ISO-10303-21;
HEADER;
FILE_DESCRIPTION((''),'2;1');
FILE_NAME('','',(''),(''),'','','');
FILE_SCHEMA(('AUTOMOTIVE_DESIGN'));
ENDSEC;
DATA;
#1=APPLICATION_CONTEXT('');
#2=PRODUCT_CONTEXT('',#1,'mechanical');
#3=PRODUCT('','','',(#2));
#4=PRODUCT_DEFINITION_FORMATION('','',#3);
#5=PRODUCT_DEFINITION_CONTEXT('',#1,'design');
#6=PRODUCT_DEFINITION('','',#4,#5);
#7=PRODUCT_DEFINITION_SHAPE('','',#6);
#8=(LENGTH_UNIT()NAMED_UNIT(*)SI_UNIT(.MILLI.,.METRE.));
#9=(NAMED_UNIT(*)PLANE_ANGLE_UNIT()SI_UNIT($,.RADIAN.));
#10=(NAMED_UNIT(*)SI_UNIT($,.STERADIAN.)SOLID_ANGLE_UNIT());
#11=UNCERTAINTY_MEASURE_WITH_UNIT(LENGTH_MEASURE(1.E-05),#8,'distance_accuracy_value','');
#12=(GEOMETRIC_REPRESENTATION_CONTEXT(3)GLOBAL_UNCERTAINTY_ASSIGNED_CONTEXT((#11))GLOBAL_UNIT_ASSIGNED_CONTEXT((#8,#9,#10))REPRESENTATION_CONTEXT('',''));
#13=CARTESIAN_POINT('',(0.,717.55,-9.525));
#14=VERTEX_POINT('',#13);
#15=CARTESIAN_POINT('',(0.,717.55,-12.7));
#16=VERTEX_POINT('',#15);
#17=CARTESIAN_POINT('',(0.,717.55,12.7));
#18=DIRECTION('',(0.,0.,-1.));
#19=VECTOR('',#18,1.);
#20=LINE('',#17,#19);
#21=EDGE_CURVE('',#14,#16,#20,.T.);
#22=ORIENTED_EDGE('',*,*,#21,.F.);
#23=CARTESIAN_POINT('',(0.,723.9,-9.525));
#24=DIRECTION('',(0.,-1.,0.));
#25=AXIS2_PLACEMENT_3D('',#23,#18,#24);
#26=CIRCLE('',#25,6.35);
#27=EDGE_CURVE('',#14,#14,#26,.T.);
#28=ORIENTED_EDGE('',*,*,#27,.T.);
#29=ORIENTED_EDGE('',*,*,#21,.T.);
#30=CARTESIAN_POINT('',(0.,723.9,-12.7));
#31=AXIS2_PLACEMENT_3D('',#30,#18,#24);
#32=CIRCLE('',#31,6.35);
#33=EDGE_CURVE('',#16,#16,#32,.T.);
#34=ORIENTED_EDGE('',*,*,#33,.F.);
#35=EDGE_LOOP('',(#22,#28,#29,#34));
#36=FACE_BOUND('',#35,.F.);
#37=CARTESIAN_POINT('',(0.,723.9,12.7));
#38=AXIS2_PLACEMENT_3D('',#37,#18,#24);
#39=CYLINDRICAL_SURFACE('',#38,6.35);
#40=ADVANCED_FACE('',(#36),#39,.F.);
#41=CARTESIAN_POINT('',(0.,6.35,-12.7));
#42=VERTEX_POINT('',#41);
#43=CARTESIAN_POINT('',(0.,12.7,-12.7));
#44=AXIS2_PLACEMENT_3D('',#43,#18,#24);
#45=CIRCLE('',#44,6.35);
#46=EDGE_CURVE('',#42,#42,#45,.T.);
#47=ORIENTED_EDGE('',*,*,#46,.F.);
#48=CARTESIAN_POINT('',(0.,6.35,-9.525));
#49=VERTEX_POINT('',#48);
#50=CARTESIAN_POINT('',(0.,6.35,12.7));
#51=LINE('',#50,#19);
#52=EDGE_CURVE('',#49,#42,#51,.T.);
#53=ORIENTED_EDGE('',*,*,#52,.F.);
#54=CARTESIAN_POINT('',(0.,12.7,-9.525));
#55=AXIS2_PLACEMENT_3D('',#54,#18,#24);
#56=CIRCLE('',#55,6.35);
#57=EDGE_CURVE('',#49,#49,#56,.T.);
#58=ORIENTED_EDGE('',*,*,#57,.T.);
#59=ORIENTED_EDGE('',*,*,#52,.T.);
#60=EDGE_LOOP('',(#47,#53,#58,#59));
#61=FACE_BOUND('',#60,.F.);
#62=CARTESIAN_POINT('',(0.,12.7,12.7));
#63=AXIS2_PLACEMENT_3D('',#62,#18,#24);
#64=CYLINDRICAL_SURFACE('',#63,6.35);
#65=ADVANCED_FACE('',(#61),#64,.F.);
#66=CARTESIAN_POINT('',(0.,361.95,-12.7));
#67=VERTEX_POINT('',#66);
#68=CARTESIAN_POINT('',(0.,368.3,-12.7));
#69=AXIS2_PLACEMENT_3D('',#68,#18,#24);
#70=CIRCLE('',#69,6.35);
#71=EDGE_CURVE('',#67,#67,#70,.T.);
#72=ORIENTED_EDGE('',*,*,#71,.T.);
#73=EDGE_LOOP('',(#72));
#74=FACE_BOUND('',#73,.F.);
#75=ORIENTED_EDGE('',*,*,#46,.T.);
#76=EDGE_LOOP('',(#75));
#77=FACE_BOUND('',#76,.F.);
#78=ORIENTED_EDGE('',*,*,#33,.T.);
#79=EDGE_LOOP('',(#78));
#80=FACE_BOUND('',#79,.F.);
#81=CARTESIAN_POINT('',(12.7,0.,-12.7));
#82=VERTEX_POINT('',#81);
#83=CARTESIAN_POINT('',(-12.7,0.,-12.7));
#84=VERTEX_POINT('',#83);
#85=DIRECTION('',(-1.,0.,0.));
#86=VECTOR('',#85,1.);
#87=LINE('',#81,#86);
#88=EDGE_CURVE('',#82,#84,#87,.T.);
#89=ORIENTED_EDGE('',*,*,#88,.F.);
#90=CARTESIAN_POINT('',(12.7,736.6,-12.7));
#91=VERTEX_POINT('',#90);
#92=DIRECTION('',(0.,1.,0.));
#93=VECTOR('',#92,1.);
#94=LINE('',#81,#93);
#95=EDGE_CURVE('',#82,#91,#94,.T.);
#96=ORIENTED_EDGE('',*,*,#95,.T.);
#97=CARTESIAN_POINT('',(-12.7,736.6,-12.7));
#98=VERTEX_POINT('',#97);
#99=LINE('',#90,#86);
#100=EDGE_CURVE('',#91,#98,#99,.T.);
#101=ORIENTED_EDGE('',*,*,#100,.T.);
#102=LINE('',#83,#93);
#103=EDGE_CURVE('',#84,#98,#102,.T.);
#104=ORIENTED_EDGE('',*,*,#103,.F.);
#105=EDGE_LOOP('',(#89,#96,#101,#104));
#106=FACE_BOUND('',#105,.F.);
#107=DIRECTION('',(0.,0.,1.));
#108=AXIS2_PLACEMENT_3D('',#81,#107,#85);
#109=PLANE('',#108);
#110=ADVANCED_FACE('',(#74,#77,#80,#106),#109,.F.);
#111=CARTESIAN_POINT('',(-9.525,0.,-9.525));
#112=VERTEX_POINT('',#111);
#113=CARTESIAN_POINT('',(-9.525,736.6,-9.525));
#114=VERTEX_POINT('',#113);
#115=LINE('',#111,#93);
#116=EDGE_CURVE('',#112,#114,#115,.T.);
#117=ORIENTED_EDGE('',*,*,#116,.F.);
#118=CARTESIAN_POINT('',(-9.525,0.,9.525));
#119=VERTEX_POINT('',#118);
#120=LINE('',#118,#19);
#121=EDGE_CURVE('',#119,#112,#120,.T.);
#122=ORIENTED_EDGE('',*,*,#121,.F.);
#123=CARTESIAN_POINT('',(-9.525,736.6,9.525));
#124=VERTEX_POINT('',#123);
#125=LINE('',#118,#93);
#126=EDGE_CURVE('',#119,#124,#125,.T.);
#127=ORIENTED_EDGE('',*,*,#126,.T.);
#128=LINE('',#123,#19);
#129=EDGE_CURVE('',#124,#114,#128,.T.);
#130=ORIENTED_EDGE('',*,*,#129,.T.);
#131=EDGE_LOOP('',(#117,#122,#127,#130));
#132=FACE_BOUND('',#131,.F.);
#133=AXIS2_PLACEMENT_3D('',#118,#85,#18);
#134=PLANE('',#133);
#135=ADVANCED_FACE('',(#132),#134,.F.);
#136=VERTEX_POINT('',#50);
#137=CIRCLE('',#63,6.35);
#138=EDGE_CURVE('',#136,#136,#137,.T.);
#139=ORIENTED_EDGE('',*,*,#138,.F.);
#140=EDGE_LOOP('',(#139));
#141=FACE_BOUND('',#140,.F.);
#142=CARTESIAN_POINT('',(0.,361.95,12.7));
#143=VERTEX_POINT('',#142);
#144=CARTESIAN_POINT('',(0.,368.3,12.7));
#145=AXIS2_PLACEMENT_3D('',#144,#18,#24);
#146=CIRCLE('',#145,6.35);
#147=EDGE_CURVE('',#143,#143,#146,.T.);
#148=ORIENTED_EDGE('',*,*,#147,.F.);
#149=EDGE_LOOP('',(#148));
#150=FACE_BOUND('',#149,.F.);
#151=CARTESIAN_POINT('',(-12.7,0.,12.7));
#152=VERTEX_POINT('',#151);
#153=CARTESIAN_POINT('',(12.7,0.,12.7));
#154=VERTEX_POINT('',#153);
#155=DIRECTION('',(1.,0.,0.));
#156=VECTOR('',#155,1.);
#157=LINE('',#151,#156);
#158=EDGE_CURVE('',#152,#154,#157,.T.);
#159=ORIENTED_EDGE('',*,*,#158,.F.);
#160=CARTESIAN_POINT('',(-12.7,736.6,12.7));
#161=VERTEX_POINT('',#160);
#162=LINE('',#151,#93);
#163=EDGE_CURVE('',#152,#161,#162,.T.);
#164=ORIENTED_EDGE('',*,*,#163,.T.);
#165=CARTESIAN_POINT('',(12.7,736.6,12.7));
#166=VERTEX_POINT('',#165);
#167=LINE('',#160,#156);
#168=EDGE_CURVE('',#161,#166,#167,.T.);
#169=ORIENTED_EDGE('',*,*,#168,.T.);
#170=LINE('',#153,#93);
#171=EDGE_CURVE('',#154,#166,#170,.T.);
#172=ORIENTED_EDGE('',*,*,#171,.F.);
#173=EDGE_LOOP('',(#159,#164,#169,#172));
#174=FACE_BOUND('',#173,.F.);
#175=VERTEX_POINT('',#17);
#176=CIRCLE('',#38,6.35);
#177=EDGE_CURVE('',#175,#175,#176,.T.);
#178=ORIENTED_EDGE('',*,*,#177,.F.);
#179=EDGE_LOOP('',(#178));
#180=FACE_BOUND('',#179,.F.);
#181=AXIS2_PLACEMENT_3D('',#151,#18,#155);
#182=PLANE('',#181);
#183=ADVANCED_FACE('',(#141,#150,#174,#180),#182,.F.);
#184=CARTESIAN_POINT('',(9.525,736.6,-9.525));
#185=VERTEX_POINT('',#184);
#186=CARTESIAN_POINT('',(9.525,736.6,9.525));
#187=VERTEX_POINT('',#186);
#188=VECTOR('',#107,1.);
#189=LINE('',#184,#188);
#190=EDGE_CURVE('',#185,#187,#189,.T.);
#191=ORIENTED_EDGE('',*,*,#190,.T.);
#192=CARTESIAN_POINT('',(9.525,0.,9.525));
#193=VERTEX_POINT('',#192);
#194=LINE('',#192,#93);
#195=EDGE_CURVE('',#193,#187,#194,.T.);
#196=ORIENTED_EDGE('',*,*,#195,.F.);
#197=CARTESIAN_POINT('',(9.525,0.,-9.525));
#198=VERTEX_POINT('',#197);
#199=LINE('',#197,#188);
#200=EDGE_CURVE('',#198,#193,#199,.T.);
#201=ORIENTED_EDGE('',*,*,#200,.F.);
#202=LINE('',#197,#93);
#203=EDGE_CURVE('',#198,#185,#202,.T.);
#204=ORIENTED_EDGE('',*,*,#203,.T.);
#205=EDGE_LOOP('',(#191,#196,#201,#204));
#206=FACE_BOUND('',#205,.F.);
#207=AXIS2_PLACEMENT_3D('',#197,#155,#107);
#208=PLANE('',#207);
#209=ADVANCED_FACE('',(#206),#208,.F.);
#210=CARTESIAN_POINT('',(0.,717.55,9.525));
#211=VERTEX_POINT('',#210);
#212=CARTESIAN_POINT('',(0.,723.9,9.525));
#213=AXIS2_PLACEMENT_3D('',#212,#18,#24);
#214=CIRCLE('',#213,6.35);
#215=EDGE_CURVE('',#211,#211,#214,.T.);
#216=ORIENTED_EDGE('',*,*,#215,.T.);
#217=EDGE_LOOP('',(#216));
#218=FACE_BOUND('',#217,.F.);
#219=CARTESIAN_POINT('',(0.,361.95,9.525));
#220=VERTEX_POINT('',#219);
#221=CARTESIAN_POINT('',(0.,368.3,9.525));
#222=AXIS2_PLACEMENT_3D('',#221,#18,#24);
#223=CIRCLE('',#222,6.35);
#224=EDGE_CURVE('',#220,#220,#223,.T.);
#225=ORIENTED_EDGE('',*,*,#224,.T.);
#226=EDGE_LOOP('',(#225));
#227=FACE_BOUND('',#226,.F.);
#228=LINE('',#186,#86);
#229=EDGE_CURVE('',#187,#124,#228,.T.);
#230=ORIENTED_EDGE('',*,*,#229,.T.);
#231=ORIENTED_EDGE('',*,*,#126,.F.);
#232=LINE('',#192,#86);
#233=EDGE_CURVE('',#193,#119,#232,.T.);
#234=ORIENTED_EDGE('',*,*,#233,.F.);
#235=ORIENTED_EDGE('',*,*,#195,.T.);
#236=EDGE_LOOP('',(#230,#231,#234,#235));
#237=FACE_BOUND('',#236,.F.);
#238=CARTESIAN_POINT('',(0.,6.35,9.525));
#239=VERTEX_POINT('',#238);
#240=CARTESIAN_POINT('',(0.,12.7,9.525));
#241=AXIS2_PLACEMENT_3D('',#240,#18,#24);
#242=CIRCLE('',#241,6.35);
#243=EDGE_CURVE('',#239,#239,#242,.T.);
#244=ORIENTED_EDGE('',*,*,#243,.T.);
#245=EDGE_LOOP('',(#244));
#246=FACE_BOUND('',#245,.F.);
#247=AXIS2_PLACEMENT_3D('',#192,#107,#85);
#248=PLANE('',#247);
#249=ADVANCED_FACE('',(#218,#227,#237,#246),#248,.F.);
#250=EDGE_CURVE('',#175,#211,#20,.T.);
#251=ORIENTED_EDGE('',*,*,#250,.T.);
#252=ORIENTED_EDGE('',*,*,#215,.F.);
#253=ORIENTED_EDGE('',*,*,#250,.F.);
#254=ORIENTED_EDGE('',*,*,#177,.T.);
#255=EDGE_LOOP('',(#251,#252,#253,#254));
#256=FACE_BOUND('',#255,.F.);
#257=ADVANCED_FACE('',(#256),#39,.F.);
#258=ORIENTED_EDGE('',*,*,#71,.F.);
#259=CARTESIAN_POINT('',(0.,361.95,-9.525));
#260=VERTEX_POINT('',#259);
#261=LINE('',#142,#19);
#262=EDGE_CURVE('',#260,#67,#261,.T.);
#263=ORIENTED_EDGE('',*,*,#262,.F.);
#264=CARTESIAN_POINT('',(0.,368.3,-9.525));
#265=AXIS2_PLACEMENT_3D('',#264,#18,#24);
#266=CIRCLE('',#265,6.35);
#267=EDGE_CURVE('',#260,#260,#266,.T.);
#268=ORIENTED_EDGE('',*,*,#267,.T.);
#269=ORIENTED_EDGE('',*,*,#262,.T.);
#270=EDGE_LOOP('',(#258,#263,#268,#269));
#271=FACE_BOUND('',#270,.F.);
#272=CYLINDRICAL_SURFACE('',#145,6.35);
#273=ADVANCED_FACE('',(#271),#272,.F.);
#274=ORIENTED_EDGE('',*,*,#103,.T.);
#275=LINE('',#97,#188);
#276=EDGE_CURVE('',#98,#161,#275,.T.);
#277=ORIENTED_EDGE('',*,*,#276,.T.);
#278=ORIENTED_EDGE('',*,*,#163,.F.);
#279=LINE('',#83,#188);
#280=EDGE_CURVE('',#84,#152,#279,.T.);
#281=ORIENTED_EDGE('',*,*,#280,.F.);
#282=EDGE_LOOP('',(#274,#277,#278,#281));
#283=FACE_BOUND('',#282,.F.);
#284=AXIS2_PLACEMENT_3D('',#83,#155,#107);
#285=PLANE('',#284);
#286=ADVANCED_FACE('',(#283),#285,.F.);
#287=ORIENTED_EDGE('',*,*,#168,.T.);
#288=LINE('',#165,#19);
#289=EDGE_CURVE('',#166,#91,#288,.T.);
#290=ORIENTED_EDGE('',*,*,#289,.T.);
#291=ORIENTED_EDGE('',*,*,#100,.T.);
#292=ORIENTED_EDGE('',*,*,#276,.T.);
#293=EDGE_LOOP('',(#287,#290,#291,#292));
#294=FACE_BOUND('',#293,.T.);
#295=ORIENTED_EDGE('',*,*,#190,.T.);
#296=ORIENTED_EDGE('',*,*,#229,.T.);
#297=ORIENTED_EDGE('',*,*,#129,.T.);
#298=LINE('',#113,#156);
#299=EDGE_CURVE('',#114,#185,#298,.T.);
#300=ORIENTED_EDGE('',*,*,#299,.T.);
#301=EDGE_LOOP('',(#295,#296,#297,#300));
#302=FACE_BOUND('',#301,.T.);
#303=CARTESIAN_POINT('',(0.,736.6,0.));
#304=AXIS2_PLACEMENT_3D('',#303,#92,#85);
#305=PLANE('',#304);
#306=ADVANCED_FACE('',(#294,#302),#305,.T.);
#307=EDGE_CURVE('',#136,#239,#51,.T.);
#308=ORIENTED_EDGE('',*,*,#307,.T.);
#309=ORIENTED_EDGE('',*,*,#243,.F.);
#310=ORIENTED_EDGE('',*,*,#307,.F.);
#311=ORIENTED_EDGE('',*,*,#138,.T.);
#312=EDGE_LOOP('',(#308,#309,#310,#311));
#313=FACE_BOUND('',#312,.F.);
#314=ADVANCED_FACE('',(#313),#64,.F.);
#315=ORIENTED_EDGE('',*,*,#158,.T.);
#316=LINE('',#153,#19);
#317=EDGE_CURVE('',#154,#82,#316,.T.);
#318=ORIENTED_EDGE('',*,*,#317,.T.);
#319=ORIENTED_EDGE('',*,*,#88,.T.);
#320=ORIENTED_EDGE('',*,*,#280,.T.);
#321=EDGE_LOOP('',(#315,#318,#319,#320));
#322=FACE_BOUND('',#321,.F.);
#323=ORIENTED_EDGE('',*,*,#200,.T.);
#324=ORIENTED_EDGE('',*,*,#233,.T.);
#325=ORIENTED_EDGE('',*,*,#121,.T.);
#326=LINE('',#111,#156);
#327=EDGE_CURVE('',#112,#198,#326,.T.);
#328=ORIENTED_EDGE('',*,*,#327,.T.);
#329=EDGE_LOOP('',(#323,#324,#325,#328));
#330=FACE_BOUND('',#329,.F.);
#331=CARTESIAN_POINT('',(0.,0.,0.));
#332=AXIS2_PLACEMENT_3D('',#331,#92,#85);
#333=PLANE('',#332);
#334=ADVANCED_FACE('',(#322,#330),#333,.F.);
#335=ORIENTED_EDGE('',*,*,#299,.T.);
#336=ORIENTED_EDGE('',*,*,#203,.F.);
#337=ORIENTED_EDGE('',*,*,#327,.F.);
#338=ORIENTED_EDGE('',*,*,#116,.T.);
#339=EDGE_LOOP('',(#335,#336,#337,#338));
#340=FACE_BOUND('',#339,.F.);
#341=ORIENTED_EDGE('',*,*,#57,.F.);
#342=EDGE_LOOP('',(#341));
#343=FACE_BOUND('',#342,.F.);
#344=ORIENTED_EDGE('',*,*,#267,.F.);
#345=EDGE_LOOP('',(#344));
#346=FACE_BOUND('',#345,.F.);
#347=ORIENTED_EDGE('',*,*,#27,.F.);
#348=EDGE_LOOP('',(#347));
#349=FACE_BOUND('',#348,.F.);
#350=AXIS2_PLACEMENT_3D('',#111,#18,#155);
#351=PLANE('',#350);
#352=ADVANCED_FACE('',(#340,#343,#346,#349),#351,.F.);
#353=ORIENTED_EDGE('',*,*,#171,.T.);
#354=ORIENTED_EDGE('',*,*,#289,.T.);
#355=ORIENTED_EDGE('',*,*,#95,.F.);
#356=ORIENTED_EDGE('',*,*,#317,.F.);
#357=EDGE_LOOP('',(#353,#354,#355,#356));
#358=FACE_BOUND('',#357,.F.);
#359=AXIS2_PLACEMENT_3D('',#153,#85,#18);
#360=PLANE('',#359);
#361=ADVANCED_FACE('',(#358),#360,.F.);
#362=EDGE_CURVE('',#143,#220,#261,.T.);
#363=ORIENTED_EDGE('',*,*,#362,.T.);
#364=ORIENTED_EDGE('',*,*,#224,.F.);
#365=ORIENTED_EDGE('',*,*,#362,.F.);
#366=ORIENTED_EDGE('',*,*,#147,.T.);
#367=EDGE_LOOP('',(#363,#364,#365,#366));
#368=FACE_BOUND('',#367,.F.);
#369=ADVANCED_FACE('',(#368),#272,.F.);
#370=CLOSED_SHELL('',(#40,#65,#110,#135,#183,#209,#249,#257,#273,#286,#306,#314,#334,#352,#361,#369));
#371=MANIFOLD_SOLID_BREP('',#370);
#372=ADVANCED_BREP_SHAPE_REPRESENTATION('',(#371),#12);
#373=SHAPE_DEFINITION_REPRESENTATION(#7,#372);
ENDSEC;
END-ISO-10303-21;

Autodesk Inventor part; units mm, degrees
ref_plane "YZ Plane" through (0, 0, 0) normal (1, 0, 0) x (0, 1, 0)
ref_plane "XZ Plane" through (0, 0, 0) normal (0, 1, 0) x (-1, 0, 0)
ref_plane "XY Plane" through (0, 0, 0) normal (0, 0, 1) x (1, 0, 0)
sketch "Sketch1" plane through (0, 0, 0) normal (0, 1, 0) x (-1, 0, 0)
  line L0 (12.7, 12.7) -> (-12.7, 12.7)
  line L1 (-12.7, 12.7) -> (-12.7, -12.7)
  line L2 (-12.7, -12.7) -> (12.7, -12.7)
  line L3 (12.7, -12.7) -> (12.7, 12.7)
  line L4 (-9.525, 9.525) -> (9.525, 9.525)
  line L5 (9.525, 9.525) -> (9.525, -9.525)
  line L6 (9.525, -9.525) -> (-9.525, -9.525)
  line L7 (-9.525, -9.525) -> (-9.525, 9.525)
  point P0 (0, 0)
  point P1 (12.7, 0)
  point P2 (0, -12.7)
  dimension "d0" = 25.4
  dimension "d1" = 25.4
  dimension "d2" = 3.175
extrude "Extrusion1" add sketch "Sketch1" along normal blind 736.6
sketch "Sketch2" plane through (-12.7, 0, 12.7) normal (0, 0, 1) x (1, 0, 0)
  line L0 (0, 736.6) -> (25.4, 736.6) projected
  line L1 (0, 0) -> (25.4, 0) projected
  point P0 (12.7, 0)
  point P1 (12.7, 12.7)
  point P2 (12.7, 723.9)
  point P3 (12.7, 368.3)
  dimension "d5" = 12.7
  dimension "d6" = 12.7
  dimension "d7" = 368.3
hole "Hole1" at (0, 12.7, 12.7) at (0, 723.9, 12.7) at (0, 368.3, 12.7) direction (0, 0, -1) diameter 12.7 end through all
sketch "Sketch3" plane through (-12.7, 0, 12.7) normal (0, 0, 1) x (1, 0, 0)
  line L0 (22.3523, 119.127) -> (22.3523, 87.2161) construction
  line L1 (22.3523, 87.2161) -> (-37.8014, 87.2161) construction
  line L2 (-37.8014, 87.2161) -> (-37.8014, 119.127) construction
  line L3 (-37.8014, 119.127) -> (22.3523, 119.127) construction
  point P0 (12.7, 0)
equation "\"d0\" = Tube_size"
equation "\"d1\" = Tube_size"
equation "\"d2\" = Wall_Thickness"
equation "\"d3\" = Bar2_2_Length"
equation "\"d5\" = Uper_Pivit_Offset_FromEdge"
equation "\"d6\" = Lower_Pivit_Offset_FromEdge"
equation "\"d7\" = Bar2_2_Center_Pivit_Offset_FromEdge"
equation "\"d8\" = Pin_Size"
equation "\"Bar1_1_Length\" = 736.6"
equation "\"Lower_Pivit_Offset_FromEdge\" = 12.7"
equation "\"Uper_Pivit_Offset_FromEdge\" = 12.7"
equation "\"Bar1_1_Center_Pivit_Offset_FromEdge\" = 368.3"
equation "\"Bar1_2_Length\" = 736.6"
equation "\"Bar2_1_Length\" = 736.6"
equation "\"Bar2_2_Length\" = 736.6"
equation "\"Bar3_1_Length\" = 736.6"
equation "\"Bar3_2_Length\" = 736.6"
equation "\"Tube_size\" = 25.4"
equation "\"Wall_Thickness\" = 3.175"
equation "\"Bar1_2_Center_Pivit_Offset_FromEdge\" = 368.3"
equation "\"Bar2_1_Center_Pivit_Offset_FromEdge\" = 368.3"
equation "\"Bar2_2_Center_Pivit_Offset_FromEdge\" = 368.3"
equation "\"Bar3_1_Center_Pivit_Offset_FromEdge\" = 368.3"
equation "\"Bar4_2_Center_Pivit_Offset_FromEdge\" = 355.6"
equation "\"Pin_Size\" = 12.7"
equation "\"Bar3_2_Center_Pivit_Offset_FromEdge\" = 368.3"
properties part number "2018 Bar2_2"
